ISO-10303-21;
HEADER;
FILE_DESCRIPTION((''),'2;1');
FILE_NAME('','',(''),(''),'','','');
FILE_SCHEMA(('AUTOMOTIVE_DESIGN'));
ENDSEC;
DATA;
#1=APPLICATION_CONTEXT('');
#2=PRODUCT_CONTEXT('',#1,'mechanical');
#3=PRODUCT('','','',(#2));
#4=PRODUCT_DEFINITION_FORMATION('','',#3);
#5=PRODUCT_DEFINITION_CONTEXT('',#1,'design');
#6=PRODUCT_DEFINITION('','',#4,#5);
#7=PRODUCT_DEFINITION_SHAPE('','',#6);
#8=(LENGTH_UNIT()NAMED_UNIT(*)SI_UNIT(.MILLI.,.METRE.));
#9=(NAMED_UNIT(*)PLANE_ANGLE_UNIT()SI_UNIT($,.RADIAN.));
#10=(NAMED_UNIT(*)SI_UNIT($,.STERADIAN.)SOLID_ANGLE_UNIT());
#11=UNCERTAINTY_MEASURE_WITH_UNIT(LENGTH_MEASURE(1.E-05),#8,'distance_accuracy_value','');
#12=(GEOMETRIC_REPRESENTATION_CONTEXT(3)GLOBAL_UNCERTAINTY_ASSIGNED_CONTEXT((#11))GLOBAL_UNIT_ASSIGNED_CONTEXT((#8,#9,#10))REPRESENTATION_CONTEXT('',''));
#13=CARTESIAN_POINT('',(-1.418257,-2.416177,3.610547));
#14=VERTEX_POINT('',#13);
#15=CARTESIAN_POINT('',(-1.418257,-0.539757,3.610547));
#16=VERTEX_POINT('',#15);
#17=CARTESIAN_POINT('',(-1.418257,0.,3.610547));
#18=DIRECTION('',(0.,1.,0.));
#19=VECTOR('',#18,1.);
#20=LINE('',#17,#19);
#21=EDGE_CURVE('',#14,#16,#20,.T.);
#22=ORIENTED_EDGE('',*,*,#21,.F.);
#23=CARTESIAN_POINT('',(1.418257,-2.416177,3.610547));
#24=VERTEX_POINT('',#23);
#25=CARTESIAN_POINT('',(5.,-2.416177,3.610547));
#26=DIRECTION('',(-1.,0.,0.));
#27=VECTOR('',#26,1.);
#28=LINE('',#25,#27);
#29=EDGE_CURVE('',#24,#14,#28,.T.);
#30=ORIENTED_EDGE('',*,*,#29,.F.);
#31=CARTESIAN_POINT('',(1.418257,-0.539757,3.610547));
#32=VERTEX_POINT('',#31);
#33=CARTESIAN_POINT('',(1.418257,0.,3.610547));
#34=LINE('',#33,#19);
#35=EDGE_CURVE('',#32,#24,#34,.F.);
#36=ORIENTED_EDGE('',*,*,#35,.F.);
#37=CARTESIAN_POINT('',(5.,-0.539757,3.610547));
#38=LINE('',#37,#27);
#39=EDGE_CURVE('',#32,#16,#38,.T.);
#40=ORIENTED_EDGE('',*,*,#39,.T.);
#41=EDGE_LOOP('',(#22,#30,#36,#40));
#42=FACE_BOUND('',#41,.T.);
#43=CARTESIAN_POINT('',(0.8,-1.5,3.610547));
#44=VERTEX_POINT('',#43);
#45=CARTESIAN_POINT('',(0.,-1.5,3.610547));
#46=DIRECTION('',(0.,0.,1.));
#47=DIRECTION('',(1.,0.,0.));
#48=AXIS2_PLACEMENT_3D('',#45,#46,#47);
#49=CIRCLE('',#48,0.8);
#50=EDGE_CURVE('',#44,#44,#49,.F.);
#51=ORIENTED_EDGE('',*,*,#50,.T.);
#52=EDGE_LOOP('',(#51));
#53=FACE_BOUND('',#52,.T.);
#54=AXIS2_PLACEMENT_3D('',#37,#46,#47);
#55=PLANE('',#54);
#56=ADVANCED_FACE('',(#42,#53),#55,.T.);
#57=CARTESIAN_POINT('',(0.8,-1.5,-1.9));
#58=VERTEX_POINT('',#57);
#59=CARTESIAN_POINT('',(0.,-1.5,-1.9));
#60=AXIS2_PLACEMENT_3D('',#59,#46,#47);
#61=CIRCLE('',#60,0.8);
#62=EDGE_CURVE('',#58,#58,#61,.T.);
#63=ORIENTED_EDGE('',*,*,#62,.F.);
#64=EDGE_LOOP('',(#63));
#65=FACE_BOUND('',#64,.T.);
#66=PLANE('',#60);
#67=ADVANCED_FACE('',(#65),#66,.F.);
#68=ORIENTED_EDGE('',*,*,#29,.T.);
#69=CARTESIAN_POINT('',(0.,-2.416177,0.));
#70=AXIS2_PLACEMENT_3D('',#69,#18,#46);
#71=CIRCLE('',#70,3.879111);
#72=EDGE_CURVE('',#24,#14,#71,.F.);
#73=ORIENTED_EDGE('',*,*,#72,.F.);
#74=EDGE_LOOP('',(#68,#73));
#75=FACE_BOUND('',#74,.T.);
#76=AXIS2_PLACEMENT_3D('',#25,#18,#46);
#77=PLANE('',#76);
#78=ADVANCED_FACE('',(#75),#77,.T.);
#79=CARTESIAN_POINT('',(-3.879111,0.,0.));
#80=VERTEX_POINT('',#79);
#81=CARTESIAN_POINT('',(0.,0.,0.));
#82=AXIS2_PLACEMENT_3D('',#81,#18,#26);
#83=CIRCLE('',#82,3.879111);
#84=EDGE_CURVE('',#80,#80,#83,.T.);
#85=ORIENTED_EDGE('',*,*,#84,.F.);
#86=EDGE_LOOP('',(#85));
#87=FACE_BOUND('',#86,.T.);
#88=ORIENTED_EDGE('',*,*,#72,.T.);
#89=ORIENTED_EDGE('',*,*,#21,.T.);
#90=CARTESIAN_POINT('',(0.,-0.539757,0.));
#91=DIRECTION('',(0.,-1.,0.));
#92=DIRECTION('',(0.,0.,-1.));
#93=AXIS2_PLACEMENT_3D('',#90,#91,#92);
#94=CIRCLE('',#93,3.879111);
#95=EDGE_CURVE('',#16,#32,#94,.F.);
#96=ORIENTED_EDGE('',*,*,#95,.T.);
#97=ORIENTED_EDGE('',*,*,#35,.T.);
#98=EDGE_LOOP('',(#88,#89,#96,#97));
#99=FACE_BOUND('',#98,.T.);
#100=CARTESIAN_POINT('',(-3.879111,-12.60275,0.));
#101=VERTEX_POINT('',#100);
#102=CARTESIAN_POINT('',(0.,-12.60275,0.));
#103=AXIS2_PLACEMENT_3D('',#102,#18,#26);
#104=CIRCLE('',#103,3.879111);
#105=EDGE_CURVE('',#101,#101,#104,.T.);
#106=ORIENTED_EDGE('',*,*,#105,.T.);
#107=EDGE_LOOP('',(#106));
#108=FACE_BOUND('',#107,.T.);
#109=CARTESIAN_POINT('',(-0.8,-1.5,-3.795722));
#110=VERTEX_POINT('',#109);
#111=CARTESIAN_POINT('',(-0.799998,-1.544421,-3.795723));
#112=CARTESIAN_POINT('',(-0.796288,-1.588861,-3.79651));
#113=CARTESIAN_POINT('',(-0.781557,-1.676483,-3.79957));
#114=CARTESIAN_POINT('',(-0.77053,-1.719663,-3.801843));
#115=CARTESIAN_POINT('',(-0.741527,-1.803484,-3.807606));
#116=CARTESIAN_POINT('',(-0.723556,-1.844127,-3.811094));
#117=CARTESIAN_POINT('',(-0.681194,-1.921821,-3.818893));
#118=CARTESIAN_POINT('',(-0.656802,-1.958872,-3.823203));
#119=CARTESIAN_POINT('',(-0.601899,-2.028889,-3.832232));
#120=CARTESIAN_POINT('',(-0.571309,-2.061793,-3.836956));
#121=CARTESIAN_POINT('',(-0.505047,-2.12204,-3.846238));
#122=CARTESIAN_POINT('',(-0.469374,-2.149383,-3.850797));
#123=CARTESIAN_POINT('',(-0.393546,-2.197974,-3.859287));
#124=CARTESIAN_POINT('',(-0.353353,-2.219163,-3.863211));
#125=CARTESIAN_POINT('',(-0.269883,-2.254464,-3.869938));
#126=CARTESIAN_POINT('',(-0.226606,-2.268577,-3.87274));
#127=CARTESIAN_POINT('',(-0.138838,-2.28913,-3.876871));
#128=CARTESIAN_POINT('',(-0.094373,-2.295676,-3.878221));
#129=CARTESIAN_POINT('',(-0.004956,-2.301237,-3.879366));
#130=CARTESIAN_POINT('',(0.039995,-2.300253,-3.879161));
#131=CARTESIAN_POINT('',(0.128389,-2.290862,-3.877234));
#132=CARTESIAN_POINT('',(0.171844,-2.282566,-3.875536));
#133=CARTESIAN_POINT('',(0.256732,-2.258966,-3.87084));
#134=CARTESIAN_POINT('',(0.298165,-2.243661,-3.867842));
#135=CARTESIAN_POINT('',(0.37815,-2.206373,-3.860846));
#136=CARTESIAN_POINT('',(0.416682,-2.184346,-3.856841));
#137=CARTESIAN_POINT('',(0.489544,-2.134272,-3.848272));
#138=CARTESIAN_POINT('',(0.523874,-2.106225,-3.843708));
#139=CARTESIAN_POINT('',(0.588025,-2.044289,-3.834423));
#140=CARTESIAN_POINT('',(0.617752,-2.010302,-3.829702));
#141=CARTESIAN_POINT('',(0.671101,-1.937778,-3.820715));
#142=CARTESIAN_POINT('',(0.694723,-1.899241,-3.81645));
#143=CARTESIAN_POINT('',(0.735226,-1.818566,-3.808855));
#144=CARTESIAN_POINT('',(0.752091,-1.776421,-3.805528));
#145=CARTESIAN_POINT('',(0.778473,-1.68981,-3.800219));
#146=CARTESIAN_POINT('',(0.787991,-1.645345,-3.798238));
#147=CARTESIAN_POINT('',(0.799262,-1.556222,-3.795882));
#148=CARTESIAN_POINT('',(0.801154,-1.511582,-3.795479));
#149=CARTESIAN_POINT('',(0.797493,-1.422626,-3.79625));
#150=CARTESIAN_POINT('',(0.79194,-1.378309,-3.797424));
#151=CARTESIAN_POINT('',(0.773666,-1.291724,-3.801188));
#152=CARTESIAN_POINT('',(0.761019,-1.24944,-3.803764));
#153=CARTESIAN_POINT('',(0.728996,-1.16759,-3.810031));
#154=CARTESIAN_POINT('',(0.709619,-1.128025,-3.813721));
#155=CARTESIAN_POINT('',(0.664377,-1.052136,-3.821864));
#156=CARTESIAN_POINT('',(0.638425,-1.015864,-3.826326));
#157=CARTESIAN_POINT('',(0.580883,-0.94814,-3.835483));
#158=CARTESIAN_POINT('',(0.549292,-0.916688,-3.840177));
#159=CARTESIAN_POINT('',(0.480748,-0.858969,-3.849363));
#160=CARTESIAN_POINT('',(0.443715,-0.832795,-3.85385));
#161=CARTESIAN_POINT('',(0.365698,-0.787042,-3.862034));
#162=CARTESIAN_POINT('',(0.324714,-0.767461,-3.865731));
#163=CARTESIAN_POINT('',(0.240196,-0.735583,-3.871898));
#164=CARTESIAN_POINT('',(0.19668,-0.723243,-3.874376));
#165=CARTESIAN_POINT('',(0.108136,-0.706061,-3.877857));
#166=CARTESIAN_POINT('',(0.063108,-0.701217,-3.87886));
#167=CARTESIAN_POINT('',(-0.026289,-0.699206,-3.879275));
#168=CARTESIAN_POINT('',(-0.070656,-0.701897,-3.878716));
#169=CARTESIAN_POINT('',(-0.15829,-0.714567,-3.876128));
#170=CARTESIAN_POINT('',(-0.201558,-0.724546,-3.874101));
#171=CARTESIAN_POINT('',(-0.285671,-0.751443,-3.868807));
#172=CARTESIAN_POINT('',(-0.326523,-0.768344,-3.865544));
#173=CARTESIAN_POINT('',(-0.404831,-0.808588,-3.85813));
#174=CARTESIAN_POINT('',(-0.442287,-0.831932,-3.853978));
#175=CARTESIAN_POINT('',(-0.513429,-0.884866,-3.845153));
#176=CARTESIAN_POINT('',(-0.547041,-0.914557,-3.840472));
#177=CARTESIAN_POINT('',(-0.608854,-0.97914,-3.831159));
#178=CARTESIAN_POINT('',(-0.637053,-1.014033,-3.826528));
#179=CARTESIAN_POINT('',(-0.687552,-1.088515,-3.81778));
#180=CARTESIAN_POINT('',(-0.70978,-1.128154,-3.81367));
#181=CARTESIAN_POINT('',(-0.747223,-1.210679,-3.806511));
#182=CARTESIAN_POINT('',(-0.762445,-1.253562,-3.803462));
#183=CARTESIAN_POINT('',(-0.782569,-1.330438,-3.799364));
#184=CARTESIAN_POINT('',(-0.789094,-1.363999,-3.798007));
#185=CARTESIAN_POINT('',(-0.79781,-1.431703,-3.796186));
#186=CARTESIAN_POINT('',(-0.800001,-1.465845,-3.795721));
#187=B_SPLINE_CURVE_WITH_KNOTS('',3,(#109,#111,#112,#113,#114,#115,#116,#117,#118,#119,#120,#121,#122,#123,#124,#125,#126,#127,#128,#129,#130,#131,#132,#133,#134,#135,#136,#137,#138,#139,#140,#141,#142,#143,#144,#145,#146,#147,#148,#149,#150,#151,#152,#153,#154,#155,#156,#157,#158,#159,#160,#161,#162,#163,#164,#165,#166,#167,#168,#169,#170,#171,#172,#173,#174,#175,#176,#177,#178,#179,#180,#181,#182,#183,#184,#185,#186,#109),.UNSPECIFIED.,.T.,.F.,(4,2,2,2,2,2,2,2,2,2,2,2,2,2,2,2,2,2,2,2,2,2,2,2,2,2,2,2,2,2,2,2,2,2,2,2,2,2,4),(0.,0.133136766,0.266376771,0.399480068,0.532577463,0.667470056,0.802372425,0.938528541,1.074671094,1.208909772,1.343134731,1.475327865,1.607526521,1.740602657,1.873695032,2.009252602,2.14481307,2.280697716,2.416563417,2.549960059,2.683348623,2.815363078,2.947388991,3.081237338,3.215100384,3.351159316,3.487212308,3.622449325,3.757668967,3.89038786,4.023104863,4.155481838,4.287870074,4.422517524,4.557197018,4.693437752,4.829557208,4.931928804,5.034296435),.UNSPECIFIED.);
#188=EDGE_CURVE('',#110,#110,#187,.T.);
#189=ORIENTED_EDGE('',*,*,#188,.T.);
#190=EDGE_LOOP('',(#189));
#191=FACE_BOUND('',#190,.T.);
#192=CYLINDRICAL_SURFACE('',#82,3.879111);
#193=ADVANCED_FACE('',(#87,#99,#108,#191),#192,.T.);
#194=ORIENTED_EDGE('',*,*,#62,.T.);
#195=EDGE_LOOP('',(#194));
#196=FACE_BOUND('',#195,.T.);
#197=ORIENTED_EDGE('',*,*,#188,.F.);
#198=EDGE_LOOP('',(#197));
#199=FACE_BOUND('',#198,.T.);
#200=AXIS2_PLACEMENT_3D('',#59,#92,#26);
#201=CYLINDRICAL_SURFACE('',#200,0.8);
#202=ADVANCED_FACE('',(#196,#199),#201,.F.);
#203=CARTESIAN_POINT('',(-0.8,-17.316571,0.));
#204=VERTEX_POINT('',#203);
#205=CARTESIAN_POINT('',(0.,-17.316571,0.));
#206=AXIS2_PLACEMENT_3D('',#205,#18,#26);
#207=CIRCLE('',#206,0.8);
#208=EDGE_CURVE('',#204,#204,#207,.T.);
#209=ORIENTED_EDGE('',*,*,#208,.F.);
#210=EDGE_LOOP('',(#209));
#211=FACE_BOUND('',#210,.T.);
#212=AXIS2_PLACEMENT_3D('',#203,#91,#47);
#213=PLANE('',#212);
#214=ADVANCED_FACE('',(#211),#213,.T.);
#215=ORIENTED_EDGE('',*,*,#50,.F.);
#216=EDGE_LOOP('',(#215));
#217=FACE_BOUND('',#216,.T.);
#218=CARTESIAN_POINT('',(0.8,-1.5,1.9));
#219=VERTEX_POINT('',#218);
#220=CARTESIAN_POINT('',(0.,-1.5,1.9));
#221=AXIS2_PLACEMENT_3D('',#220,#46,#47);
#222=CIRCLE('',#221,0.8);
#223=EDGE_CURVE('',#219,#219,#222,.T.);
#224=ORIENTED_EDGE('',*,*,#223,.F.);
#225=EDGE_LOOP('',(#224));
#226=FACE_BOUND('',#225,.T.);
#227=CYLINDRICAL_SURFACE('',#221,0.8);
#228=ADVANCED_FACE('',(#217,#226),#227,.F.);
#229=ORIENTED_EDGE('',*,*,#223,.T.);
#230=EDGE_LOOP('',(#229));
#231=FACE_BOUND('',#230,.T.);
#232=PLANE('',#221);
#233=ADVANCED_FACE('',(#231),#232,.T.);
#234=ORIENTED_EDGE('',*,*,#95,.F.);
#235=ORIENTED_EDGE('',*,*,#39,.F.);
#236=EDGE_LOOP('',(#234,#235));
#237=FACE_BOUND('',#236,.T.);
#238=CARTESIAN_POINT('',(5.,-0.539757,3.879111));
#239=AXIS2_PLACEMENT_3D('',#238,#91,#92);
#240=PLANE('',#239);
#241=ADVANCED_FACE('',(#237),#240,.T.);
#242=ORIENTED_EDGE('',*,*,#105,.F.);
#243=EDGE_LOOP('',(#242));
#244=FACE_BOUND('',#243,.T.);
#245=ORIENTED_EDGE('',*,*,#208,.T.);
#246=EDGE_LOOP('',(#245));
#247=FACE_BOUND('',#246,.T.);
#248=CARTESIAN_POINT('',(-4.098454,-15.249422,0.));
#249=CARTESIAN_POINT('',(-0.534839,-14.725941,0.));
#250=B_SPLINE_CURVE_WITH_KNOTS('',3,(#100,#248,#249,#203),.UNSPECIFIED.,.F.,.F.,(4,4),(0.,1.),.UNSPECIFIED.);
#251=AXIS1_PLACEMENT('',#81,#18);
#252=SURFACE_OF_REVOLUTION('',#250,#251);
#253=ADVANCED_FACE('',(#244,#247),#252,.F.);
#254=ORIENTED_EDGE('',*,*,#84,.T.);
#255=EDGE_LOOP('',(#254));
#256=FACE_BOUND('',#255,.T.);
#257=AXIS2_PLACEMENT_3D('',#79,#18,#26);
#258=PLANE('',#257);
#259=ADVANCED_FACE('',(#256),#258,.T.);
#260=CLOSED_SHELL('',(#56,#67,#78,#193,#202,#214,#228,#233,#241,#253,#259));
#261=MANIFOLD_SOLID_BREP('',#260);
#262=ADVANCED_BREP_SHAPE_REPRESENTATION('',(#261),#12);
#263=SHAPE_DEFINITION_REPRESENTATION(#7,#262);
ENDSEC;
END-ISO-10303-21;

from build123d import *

# Parameters (mm, degrees)
SKETCH3_R               = 0.8
CUT_EXTRUDE1_DEPTH      = 2
CUT_EXTRUDE2_START      = 2
SKETCH4_R               = 0.8
CUT_EXTRUDE2_DEPTH      = 2
CUT_EXTRUDE3_DEPTH      = 5
CUT_EXTRUDE3_DEPTH_BACK = 5
SKETCH6_W               = 0.268563898
SKETCH6_H               = 1.87642035


with BuildPart() as part:
    # Sketch1 → Revolve1 (revolve)
    with BuildSketch(Plane.XY):
        with BuildLine():
            Line((-3.879111396, 0), (-3.879111396, -12))
            Line((-3.879111396, -12), (-3.879111396, -12.602750297))
            add(Edge.make_bspline(
                [(-3.879111396, -12.602750297), (-4.098454424, -15.2494219), (-0.534839258, -14.725941394), (-0.8, -17.31657115)],
                knots=[0, 0, 0, 0, 1, 1, 1, 1], degree=3))
            Line((-0.8, -17.31657115), (0, -17.31657115))
            Line((0, -17.31657115), (0, 0))
            Line((0, 0), (-3.879111396, 0))
        make_face()
    revolve(axis=Axis((0, 0, 0), (0, -1, 0)))

    # Sketch3 → Cut-Extrude1 (cut)
    with BuildSketch(Plane.XY.offset(3.9)):
        with Locations((0, -1.5)):
            Circle(SKETCH3_R)
    extrude(amount=-CUT_EXTRUDE1_DEPTH, mode=Mode.SUBTRACT)

    # Sketch4 → Cut-Extrude2 (cut)
    with BuildSketch(Plane.XY.offset(-3.9).offset(CUT_EXTRUDE2_START)):
        with Locations((0, -1.5)):
            Circle(SKETCH4_R)
    extrude(amount=-CUT_EXTRUDE2_DEPTH, mode=Mode.SUBTRACT)

    # Sketch6 → Cut-Extrude3 (cut, two sides: drawn at the far end of the back side and taken through both)
    with BuildSketch(Plane(origin=(0, 0, 0), x_dir=(0, 0, -1), z_dir=(1, 0, 0)).offset(-CUT_EXTRUDE3_DEPTH_BACK)):
        with Locations((-3.744829447, -1.477966688)):
            Rectangle(SKETCH6_W, SKETCH6_H)
    extrude(amount=CUT_EXTRUDE3_DEPTH + CUT_EXTRUDE3_DEPTH_BACK, mode=Mode.SUBTRACT)


solid = part.part
